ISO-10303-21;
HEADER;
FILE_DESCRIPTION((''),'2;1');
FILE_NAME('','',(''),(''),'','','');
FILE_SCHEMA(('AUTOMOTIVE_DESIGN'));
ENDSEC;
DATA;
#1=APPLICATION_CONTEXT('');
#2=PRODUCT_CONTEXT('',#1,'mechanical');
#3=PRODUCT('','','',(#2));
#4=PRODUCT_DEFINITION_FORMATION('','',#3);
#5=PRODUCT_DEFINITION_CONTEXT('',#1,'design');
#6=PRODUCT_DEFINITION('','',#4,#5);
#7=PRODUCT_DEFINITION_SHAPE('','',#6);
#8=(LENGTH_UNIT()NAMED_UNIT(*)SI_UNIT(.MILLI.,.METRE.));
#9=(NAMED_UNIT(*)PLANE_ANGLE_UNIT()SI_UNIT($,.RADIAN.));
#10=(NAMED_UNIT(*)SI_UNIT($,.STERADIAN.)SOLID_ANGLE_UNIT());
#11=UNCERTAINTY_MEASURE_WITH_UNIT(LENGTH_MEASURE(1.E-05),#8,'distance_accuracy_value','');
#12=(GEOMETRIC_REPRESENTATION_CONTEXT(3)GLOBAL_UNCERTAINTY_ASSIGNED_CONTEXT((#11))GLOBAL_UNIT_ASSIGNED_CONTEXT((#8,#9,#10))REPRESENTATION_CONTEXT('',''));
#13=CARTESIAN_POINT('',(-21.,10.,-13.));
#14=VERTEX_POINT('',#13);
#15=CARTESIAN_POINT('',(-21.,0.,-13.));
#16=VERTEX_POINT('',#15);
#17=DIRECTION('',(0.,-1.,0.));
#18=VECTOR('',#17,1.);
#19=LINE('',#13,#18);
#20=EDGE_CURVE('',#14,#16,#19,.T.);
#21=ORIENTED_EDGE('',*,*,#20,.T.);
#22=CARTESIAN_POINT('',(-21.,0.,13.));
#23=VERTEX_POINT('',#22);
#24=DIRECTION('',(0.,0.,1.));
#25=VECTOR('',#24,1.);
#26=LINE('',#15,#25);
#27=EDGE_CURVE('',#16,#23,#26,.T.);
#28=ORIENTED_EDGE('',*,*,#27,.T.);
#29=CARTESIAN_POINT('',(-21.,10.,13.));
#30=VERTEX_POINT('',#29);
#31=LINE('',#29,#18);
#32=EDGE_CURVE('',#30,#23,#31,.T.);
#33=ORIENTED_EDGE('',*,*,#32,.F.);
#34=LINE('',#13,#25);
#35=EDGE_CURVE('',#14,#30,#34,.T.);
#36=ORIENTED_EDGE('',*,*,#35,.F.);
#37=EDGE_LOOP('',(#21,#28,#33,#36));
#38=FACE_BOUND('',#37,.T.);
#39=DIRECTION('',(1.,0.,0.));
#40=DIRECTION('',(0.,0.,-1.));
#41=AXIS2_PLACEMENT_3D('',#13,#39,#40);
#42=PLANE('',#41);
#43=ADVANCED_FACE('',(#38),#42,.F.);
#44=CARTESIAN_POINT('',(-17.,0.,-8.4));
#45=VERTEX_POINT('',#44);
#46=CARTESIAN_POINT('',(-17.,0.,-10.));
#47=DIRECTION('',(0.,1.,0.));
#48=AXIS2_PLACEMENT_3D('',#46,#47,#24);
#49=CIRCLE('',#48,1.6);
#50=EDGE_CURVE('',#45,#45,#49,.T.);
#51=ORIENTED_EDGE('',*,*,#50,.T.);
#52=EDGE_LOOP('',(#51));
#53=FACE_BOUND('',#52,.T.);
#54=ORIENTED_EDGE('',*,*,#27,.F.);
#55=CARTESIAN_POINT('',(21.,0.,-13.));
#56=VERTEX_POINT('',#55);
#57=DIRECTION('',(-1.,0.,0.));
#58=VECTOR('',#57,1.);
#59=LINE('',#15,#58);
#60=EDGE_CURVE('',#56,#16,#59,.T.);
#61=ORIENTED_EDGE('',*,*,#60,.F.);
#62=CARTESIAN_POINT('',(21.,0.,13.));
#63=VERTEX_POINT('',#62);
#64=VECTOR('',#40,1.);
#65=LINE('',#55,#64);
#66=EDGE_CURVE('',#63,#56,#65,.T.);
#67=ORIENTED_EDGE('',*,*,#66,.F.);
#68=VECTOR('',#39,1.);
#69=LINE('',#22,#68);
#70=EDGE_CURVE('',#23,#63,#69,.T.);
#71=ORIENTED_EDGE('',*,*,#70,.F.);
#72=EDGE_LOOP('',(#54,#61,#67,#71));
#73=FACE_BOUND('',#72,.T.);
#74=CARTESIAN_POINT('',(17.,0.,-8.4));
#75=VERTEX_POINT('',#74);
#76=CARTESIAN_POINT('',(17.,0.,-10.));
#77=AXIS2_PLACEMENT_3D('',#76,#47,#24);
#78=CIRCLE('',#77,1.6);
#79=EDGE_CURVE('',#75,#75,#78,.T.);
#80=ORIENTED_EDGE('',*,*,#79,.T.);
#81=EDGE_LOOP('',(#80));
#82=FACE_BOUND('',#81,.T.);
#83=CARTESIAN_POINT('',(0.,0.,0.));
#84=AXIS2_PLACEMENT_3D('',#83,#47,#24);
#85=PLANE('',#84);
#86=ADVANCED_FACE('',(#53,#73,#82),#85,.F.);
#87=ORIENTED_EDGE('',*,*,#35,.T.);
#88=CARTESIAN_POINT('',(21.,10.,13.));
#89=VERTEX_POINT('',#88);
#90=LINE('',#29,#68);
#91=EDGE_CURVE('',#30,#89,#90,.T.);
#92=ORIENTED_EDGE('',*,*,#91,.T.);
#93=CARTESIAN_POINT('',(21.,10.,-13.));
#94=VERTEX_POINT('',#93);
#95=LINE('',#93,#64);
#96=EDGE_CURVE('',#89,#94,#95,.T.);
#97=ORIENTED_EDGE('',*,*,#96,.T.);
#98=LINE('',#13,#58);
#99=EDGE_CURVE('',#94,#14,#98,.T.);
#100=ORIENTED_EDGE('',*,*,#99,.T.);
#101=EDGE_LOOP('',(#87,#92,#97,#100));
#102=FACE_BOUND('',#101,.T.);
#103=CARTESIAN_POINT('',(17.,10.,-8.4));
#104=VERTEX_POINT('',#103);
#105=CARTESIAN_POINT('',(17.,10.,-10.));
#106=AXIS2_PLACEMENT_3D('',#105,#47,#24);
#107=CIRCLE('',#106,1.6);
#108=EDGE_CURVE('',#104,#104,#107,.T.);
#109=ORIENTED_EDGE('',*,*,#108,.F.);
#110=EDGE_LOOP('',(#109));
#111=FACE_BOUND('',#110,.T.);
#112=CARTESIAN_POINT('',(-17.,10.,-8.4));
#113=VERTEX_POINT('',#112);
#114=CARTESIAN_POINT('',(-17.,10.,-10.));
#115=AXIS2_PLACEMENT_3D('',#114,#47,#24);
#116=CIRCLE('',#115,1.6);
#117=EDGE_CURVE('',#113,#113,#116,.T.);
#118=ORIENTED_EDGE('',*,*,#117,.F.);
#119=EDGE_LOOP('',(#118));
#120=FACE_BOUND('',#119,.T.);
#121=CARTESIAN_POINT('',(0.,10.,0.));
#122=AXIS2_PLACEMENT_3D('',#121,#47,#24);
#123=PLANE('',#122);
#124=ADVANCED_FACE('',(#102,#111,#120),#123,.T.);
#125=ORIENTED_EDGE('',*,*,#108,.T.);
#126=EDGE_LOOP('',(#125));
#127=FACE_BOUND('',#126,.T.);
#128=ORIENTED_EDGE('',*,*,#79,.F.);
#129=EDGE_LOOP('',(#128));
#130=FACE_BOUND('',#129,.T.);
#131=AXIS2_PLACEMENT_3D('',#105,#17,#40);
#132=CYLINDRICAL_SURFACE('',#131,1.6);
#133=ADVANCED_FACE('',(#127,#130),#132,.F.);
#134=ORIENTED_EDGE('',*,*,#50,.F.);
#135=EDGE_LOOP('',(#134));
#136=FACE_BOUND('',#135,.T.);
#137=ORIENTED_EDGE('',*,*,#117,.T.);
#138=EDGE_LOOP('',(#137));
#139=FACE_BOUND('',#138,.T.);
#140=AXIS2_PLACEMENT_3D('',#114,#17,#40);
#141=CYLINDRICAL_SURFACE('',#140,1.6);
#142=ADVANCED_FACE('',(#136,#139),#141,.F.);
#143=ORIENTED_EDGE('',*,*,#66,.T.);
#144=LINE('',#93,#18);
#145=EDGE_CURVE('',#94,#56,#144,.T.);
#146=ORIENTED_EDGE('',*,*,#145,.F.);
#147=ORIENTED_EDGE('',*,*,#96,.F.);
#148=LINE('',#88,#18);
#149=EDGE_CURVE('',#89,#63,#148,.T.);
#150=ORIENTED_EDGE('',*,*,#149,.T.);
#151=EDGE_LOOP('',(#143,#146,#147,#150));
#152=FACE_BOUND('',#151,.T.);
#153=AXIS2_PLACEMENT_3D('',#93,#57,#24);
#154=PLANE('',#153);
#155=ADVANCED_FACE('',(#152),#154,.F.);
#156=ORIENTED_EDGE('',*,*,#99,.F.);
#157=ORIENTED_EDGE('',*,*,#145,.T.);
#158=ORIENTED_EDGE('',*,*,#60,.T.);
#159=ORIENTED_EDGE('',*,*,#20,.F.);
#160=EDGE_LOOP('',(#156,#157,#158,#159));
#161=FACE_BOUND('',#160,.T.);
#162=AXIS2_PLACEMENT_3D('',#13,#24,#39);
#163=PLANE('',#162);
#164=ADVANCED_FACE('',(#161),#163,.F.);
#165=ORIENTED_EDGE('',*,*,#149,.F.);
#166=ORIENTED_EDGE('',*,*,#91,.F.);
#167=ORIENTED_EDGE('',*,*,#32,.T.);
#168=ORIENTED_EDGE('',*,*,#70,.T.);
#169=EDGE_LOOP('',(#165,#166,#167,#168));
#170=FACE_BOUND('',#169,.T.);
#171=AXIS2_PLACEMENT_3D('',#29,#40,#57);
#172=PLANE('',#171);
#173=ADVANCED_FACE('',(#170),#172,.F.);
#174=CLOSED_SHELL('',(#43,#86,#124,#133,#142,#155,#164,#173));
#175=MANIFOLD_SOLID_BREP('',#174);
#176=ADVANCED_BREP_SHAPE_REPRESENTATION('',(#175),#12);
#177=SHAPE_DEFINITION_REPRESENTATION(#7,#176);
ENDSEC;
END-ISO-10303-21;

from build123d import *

# Parameters (mm, degrees)
CROQUIS2_W              = 42
CROQUIS2_H              = 26
CROQUIS2_R              = 1.6
SALIENTE_EXTRUIR1_DEPTH = 10


with BuildPart() as part:
    # Croquis2 → Saliente-Extruir1 (new body)
    with BuildSketch(Plane(origin=(0, 0, 0), x_dir=(1, 0, 0), z_dir=(0, 1, 0))):
        Rectangle(CROQUIS2_W, CROQUIS2_H)
        with Locations(Location((-17, 10, 0), (0, 0, 270))):
            Circle(CROQUIS2_R, mode=Mode.SUBTRACT)
        with Locations(Location((17, 10, 0), (0, 0, 270))):
            Circle(CROQUIS2_R, mode=Mode.SUBTRACT)
    extrude(amount=SALIENTE_EXTRUIR1_DEPTH)


solid = part.part
